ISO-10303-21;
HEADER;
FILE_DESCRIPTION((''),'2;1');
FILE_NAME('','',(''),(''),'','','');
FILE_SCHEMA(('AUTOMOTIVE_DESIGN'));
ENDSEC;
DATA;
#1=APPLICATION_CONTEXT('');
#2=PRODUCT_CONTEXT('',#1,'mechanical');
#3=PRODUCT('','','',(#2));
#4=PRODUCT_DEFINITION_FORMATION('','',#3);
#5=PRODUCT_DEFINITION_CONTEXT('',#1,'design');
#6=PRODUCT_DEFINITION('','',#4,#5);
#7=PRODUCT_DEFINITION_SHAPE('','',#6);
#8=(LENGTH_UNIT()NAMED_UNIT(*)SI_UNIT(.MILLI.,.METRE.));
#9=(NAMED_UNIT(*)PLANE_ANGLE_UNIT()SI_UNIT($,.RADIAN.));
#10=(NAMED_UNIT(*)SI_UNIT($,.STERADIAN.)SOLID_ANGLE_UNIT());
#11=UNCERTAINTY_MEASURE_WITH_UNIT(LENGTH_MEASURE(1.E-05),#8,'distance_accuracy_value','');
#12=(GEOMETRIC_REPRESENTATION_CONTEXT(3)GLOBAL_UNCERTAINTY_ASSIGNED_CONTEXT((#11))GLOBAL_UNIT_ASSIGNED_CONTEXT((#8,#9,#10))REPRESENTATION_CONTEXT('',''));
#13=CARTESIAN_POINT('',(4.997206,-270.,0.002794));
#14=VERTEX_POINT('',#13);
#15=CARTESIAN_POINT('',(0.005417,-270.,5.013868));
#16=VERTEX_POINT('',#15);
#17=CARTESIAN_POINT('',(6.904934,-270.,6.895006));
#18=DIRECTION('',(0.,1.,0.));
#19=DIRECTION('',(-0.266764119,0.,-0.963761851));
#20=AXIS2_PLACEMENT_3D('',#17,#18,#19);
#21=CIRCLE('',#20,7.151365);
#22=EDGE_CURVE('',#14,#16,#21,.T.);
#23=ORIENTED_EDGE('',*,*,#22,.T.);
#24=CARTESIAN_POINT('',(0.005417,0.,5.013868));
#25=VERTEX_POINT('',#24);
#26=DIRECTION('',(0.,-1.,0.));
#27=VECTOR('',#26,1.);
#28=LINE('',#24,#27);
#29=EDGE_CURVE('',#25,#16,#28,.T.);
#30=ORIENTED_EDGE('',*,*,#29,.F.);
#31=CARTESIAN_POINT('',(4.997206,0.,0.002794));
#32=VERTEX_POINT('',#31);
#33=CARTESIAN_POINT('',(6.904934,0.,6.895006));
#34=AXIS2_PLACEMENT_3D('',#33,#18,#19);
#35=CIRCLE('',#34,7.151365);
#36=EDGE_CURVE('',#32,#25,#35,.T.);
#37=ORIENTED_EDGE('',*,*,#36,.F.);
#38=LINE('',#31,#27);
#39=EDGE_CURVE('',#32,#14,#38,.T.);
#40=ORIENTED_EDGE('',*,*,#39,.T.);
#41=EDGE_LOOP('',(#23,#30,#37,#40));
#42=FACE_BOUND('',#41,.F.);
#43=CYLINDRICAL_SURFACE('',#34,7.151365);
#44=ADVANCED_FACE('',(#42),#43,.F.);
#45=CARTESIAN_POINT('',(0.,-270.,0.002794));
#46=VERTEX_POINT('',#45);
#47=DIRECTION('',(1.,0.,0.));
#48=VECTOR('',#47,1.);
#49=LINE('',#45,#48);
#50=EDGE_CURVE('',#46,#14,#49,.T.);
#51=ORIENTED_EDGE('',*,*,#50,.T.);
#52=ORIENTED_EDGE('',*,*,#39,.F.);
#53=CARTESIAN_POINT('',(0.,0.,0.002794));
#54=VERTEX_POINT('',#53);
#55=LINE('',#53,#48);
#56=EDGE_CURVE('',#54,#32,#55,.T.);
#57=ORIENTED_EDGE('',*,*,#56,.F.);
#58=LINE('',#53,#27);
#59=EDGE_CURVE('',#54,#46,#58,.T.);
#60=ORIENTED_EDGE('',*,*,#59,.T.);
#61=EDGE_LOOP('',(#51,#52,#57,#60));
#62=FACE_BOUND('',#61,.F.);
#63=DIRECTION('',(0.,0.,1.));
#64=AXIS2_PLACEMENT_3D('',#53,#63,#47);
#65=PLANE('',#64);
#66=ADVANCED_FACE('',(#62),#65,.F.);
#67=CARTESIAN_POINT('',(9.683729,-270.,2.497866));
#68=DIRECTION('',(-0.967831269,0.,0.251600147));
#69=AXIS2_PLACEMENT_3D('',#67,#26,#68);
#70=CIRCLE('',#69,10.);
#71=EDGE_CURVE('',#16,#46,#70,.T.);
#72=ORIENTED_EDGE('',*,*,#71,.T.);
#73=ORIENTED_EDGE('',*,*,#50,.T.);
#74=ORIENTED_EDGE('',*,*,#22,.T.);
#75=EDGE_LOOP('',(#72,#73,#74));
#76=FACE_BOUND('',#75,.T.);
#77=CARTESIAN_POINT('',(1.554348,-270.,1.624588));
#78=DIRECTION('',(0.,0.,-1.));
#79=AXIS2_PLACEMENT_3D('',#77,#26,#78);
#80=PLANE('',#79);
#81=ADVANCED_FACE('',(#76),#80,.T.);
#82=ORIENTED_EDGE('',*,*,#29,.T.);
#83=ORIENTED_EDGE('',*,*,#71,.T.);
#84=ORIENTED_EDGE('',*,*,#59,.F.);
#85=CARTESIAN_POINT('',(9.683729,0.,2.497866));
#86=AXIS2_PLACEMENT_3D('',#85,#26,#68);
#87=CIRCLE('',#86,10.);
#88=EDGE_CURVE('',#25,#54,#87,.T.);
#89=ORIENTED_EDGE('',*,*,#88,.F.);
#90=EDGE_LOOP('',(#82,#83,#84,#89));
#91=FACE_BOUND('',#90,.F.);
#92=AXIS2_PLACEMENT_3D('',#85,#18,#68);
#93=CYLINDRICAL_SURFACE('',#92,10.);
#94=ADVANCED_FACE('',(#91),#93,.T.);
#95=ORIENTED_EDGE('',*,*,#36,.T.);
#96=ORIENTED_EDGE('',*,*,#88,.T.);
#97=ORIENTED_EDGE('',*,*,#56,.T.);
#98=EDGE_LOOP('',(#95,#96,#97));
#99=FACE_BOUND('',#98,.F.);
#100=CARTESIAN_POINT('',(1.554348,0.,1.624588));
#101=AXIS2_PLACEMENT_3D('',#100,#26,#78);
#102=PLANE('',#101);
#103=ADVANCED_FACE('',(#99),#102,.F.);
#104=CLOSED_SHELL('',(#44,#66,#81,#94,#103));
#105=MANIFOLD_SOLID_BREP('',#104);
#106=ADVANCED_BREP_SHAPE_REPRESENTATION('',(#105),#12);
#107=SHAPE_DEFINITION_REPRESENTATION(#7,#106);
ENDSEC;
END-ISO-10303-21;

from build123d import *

# Parameters (mm, degrees)
F1_DEPTH = 270
F2_ANGLE = 90


with BuildPart() as f1:
    # F0 (on Front) → F1 (new body)
    with BuildSketch(Plane.XZ):
        with BuildLine():
            ThreePointArc((-5.0110737885, 0.0082104237), (-2.5058816843, -0.3134710408), (0, 0.0027937665))
            Line((0, 0.0027937665), (0, 5))
            ThreePointArc((0, 5), (-1.845192251, 1.8412095343), (-5.0110737885, 0.0082104237))
        make_face()
    extrude(amount=F1_DEPTH)


with BuildPart() as f1_1:
    # F2: moved
    add(f1.part.rotate(Axis((0, -135, 0.0027937665), (0, 1, 0)), F2_ANGLE))


solid = f1_1.part
